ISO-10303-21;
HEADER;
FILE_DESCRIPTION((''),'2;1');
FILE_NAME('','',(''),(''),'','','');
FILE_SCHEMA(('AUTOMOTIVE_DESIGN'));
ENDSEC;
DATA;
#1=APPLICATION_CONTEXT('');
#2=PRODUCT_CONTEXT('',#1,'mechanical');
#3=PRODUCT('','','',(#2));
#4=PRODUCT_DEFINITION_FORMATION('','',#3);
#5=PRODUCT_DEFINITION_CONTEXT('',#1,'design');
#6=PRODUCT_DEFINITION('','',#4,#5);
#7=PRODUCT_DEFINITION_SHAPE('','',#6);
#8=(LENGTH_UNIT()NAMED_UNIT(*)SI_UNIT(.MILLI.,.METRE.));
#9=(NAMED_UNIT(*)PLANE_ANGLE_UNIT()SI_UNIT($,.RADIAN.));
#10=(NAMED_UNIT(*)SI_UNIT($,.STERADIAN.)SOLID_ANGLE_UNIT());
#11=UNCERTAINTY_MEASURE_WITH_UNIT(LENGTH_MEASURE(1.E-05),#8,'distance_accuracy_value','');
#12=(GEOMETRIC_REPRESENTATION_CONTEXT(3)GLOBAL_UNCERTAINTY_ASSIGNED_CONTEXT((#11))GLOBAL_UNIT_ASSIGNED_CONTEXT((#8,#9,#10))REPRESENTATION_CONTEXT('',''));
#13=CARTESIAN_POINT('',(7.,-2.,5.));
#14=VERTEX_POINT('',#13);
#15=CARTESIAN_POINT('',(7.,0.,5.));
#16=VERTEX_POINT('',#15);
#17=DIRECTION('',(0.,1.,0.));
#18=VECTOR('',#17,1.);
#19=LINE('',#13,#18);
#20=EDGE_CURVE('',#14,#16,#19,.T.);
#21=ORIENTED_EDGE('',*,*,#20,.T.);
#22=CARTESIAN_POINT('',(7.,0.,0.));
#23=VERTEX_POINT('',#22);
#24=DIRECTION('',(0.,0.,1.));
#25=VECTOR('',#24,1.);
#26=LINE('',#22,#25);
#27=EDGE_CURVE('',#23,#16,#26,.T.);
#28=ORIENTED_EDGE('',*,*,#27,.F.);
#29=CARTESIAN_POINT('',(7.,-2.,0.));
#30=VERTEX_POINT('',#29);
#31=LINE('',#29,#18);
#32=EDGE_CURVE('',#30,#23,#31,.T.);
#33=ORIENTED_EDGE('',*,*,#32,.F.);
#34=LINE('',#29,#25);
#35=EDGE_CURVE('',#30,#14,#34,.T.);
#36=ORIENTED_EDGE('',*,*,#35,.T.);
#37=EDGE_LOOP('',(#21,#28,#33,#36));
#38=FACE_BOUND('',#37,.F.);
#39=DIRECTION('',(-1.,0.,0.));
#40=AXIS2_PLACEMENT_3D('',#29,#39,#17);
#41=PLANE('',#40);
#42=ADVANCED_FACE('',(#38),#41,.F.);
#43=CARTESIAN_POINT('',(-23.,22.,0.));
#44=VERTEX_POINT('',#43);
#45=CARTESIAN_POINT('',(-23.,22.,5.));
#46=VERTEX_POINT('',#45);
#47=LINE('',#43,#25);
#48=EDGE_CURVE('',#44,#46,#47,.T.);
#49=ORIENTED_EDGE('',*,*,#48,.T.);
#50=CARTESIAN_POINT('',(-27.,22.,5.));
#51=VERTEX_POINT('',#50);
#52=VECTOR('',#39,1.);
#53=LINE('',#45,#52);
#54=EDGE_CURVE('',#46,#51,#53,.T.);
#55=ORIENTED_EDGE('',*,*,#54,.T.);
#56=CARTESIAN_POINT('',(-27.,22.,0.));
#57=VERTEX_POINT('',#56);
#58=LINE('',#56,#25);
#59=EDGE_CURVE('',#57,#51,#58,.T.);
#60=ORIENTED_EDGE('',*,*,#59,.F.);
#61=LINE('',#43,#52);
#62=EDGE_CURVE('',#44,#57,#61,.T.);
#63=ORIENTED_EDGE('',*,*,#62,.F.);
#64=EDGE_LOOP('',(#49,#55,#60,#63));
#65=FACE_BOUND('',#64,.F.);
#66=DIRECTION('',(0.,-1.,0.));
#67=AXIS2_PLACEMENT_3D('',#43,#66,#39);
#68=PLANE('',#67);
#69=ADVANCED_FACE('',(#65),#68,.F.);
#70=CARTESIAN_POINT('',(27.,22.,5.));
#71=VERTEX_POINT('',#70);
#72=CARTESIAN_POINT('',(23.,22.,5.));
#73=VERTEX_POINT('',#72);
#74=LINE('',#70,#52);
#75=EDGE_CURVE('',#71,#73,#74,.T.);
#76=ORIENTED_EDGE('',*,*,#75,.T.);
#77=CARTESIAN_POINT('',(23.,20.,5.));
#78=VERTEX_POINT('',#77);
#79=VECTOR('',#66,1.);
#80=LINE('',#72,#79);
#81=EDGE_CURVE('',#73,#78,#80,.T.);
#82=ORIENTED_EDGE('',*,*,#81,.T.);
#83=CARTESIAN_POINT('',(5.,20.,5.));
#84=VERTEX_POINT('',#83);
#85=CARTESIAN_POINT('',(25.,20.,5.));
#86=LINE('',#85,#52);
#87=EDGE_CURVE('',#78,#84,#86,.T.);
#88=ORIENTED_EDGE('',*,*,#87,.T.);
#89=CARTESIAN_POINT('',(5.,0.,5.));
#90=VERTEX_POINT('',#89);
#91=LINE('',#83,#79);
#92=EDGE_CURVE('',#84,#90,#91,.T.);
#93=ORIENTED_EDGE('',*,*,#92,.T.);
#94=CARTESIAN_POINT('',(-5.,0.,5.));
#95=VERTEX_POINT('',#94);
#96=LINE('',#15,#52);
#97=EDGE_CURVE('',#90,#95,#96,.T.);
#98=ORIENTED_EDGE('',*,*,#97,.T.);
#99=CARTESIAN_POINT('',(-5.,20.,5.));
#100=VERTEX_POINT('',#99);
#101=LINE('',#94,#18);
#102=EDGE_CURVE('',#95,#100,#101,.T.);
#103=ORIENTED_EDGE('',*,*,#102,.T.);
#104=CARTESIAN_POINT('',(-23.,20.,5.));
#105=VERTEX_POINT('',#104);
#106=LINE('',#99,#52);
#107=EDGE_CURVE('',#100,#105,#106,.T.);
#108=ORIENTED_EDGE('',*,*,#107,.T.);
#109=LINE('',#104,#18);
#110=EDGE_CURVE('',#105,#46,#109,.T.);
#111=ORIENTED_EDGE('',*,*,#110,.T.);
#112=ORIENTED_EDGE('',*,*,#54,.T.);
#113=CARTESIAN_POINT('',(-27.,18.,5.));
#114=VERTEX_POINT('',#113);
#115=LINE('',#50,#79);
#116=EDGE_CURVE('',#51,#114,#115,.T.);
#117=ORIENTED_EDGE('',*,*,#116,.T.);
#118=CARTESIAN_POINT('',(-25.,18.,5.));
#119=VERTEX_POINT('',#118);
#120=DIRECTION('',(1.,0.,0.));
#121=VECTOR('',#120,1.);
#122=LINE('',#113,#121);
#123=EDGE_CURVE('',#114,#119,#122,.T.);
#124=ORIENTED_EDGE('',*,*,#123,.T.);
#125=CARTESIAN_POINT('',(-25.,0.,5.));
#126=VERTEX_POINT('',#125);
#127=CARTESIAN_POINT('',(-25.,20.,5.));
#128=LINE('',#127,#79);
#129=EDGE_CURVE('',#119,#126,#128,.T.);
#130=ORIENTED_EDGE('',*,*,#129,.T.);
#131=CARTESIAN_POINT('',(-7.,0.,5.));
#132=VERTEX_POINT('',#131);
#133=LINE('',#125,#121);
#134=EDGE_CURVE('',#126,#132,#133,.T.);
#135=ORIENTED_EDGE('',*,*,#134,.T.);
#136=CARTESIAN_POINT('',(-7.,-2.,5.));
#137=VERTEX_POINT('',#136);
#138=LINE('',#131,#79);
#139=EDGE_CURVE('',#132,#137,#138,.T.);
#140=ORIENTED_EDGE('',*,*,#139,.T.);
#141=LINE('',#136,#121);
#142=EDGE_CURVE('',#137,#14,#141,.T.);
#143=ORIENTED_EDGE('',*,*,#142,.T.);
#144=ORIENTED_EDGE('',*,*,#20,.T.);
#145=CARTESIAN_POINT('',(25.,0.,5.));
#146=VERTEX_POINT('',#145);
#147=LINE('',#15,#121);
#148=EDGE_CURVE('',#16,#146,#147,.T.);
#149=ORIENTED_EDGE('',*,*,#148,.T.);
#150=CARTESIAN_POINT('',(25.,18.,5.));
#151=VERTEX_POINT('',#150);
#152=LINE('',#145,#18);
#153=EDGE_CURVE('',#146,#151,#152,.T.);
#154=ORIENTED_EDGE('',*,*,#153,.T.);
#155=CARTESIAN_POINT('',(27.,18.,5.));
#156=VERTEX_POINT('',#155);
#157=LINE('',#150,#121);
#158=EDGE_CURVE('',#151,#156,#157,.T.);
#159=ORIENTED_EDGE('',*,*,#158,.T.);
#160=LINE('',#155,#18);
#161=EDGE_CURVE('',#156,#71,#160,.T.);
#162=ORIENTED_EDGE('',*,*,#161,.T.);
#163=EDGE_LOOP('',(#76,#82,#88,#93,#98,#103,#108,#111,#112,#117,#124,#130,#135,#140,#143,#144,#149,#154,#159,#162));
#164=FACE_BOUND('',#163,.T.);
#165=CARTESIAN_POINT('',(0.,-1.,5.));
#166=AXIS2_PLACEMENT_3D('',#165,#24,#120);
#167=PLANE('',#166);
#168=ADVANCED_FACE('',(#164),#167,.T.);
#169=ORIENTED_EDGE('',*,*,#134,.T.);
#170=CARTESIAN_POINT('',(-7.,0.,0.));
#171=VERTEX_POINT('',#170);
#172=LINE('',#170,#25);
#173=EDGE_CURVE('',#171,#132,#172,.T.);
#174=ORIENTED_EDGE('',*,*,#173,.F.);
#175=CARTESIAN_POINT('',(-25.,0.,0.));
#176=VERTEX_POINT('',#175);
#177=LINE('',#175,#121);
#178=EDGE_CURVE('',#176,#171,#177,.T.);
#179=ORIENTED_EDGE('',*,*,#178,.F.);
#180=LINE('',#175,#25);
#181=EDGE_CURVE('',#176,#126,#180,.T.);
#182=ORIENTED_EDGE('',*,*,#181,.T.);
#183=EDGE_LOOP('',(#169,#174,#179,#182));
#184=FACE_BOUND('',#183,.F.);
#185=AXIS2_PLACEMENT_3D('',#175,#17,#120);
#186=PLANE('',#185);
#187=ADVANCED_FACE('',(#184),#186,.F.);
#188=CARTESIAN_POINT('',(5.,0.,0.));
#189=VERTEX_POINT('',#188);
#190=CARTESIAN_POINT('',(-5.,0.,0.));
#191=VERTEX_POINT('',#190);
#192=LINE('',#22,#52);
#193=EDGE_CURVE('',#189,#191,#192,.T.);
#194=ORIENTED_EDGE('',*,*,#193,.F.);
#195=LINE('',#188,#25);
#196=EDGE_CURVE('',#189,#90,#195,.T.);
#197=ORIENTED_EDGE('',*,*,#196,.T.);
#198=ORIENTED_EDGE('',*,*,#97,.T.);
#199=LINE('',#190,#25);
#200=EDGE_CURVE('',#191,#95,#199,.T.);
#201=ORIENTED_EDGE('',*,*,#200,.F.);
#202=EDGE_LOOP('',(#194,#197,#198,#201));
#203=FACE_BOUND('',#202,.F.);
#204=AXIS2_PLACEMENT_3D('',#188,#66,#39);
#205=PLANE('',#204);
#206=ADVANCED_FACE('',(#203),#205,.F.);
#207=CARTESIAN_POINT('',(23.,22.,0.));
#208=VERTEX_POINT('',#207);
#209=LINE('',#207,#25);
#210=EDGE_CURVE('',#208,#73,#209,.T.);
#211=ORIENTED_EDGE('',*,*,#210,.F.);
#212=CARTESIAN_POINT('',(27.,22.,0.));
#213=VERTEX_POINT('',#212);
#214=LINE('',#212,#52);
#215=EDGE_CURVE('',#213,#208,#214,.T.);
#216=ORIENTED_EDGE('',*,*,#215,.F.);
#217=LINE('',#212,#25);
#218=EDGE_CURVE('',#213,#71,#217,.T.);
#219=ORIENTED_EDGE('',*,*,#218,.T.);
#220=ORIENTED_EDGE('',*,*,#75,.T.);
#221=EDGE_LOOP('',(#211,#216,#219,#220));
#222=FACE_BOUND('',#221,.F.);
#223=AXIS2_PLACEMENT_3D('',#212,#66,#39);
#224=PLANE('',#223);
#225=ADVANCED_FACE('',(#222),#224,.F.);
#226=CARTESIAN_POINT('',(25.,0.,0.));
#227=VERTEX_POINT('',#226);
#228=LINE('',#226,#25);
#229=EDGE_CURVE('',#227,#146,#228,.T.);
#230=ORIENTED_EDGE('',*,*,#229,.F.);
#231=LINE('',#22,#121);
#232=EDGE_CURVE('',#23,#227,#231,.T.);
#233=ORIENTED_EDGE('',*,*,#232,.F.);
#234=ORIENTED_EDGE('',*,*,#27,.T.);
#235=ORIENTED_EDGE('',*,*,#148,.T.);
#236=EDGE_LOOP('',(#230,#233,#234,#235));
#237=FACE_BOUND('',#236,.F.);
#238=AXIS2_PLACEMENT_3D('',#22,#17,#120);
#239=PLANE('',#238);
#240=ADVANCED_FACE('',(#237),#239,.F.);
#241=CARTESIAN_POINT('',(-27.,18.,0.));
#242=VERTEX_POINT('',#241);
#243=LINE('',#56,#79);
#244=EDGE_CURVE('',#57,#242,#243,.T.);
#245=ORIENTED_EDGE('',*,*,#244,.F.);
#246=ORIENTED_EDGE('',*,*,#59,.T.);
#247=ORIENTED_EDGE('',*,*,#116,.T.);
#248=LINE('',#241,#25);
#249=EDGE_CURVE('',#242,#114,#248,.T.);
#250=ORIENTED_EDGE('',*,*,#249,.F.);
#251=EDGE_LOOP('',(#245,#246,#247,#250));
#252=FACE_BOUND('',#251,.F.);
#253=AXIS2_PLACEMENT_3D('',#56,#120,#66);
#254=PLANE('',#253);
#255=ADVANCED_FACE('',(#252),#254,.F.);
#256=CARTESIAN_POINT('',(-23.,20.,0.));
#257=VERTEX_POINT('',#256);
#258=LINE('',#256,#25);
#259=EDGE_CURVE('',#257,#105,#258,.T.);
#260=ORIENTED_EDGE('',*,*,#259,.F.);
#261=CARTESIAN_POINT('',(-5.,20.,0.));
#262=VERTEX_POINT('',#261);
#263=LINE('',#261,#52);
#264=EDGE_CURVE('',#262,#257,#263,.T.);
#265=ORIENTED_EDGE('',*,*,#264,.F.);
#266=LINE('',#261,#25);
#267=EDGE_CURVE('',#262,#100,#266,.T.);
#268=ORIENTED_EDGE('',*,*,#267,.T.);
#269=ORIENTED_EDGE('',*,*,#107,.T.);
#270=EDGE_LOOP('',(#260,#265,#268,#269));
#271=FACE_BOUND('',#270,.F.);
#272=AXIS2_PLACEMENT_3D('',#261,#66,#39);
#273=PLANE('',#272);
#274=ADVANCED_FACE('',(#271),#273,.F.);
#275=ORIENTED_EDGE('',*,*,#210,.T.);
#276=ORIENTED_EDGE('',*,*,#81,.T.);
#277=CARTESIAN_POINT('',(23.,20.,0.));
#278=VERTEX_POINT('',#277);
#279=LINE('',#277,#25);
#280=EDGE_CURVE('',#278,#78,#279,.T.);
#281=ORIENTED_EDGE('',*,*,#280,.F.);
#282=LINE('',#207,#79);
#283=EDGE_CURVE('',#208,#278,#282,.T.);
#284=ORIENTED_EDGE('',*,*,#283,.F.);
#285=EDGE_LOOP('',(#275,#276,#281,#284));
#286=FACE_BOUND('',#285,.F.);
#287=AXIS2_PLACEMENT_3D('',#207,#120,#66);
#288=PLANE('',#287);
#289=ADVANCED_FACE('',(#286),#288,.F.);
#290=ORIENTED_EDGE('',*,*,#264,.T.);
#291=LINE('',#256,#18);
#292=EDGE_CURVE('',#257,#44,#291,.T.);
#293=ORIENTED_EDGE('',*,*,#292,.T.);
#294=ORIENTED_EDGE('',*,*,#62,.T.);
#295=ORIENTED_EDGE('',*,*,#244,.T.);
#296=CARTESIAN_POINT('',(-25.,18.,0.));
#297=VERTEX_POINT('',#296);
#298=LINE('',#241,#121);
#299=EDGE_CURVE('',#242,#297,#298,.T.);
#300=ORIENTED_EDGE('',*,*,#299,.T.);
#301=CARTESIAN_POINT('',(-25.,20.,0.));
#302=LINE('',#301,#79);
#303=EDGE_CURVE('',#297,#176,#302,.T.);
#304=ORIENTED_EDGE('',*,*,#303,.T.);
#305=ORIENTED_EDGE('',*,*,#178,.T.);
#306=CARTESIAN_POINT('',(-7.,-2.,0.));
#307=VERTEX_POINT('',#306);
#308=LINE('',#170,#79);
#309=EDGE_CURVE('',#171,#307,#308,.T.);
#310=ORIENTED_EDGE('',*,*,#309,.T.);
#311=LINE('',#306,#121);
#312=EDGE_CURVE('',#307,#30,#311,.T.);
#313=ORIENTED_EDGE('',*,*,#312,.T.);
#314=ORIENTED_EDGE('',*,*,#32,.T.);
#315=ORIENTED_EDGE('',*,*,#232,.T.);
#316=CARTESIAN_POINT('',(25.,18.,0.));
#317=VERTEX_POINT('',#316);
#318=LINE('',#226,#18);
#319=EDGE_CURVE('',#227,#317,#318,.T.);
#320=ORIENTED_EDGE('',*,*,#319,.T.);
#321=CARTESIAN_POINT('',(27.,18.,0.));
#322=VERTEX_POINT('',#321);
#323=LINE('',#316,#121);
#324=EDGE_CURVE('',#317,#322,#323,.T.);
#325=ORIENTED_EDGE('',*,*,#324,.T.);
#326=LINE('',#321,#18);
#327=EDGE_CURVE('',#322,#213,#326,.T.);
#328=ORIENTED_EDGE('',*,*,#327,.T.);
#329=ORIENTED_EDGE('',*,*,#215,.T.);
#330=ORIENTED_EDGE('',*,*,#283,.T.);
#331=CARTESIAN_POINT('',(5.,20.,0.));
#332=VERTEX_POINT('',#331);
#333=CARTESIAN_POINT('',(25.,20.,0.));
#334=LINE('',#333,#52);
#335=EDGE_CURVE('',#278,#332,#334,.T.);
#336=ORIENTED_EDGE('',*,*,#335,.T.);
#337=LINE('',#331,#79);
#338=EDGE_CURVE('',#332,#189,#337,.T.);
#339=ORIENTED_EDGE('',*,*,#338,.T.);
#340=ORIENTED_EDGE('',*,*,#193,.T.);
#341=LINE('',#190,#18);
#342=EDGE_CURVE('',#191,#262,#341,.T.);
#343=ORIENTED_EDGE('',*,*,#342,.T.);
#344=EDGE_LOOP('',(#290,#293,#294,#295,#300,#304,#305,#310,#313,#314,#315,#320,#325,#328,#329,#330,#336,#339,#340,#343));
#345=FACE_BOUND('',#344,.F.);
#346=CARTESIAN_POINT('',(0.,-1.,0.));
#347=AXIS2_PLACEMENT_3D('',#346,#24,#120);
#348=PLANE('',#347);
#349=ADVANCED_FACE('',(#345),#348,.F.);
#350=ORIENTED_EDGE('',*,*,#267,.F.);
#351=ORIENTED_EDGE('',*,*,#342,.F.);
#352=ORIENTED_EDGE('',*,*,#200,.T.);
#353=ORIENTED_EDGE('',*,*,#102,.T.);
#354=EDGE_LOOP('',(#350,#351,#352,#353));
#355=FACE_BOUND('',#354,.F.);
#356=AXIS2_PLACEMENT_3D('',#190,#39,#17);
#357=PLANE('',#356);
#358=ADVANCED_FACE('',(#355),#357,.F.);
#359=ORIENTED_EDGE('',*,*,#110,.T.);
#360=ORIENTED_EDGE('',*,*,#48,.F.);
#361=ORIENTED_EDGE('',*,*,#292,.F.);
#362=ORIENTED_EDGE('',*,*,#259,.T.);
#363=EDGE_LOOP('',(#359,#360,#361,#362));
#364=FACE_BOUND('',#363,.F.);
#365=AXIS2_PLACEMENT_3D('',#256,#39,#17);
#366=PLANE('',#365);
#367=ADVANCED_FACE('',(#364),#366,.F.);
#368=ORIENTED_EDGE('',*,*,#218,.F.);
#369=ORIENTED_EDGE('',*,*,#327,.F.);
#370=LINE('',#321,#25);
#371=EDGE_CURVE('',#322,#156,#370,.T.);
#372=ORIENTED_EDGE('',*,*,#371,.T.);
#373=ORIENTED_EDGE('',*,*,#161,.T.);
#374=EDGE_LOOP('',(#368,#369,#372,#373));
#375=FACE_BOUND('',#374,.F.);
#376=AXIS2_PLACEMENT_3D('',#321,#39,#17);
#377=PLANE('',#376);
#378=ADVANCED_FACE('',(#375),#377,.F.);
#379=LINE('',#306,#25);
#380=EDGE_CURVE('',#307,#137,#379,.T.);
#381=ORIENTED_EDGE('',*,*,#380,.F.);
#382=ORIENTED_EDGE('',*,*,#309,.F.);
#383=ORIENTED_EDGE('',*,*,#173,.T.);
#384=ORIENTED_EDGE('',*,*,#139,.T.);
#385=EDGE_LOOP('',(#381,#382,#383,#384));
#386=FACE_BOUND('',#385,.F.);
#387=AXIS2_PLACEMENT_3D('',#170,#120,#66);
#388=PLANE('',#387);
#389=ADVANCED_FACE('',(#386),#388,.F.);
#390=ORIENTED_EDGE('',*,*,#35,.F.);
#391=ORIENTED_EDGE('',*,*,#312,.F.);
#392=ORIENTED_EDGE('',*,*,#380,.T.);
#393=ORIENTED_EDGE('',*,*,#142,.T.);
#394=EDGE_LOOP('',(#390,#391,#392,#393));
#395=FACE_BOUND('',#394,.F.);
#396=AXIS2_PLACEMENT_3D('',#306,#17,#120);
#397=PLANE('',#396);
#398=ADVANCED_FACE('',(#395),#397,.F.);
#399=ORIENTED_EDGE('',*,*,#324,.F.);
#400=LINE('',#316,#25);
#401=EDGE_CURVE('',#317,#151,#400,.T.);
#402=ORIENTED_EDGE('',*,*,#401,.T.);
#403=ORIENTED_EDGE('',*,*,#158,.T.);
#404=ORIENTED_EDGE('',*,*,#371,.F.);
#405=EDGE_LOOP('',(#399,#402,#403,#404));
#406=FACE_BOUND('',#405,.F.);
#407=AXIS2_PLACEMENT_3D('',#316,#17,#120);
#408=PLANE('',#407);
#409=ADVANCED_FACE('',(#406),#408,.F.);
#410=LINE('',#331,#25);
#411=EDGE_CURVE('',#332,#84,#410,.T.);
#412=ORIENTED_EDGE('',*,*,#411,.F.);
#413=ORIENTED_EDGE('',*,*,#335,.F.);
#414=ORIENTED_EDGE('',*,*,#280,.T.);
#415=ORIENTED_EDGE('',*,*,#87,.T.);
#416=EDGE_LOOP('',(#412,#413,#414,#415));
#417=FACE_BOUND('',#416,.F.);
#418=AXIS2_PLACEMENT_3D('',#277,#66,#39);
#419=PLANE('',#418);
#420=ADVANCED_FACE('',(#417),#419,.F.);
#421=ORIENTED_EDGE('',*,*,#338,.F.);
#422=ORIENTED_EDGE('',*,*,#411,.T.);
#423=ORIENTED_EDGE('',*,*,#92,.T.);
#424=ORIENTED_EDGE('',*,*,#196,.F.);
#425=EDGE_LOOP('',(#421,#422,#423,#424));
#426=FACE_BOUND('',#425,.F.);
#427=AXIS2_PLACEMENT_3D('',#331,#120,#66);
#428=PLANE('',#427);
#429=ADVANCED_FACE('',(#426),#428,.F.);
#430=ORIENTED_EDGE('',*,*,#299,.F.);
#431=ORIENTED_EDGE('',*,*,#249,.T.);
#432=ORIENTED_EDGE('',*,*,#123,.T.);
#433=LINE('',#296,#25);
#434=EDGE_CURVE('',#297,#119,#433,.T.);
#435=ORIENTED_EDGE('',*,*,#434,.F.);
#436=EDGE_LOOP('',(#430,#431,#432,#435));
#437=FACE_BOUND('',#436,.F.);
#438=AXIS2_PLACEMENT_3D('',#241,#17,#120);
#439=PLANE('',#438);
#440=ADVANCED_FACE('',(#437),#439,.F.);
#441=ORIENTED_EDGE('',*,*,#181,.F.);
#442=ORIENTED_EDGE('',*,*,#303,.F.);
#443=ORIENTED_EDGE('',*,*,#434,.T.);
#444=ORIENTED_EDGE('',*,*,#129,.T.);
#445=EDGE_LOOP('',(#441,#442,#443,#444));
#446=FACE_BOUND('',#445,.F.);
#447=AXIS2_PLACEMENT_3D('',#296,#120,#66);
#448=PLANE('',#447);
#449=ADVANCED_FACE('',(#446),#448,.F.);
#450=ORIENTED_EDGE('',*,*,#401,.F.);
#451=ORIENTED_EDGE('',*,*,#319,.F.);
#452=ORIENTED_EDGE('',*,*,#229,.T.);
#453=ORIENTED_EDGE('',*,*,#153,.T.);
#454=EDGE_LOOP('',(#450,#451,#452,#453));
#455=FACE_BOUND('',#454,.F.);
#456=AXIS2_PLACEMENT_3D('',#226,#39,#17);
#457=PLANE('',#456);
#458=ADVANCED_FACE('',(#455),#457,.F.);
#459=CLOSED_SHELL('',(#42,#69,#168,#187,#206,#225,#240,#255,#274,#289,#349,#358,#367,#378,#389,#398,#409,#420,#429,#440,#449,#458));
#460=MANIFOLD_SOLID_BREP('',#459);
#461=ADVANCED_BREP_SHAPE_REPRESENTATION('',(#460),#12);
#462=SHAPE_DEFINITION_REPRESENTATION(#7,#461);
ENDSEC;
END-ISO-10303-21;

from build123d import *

# Parameters (mm, degrees)
F1_DEPTH = 5


with BuildPart() as f1:
    # F0 (on Top) → F1 (new body)
    with BuildSketch(Plane.XY):
        Polygon((5, 0), (0, 0), (-5, 0), (-7, 0), (-7, -2), (0, -2), (7, -2), (7, 0), align=None)
        Polygon((5, 20), (5, 0), (7, 0), (25, 0), (25, 18), (25, 20), (23, 20), align=None)
        Polygon((-7, 0), (-5, 0), (-5, 20), (-23, 20), (-25, 20), (-25, 18), (-25, 0), align=None)
        Polygon((23, 22), (23, 20), (25, 20), (25, 18), (27, 18), (27, 22), align=None)
        Polygon((-25, 20), (-23, 20), (-23, 22), (-27, 22), (-27, 18), (-25, 18), align=None)
    extrude(amount=F1_DEPTH)


solid = f1.part
